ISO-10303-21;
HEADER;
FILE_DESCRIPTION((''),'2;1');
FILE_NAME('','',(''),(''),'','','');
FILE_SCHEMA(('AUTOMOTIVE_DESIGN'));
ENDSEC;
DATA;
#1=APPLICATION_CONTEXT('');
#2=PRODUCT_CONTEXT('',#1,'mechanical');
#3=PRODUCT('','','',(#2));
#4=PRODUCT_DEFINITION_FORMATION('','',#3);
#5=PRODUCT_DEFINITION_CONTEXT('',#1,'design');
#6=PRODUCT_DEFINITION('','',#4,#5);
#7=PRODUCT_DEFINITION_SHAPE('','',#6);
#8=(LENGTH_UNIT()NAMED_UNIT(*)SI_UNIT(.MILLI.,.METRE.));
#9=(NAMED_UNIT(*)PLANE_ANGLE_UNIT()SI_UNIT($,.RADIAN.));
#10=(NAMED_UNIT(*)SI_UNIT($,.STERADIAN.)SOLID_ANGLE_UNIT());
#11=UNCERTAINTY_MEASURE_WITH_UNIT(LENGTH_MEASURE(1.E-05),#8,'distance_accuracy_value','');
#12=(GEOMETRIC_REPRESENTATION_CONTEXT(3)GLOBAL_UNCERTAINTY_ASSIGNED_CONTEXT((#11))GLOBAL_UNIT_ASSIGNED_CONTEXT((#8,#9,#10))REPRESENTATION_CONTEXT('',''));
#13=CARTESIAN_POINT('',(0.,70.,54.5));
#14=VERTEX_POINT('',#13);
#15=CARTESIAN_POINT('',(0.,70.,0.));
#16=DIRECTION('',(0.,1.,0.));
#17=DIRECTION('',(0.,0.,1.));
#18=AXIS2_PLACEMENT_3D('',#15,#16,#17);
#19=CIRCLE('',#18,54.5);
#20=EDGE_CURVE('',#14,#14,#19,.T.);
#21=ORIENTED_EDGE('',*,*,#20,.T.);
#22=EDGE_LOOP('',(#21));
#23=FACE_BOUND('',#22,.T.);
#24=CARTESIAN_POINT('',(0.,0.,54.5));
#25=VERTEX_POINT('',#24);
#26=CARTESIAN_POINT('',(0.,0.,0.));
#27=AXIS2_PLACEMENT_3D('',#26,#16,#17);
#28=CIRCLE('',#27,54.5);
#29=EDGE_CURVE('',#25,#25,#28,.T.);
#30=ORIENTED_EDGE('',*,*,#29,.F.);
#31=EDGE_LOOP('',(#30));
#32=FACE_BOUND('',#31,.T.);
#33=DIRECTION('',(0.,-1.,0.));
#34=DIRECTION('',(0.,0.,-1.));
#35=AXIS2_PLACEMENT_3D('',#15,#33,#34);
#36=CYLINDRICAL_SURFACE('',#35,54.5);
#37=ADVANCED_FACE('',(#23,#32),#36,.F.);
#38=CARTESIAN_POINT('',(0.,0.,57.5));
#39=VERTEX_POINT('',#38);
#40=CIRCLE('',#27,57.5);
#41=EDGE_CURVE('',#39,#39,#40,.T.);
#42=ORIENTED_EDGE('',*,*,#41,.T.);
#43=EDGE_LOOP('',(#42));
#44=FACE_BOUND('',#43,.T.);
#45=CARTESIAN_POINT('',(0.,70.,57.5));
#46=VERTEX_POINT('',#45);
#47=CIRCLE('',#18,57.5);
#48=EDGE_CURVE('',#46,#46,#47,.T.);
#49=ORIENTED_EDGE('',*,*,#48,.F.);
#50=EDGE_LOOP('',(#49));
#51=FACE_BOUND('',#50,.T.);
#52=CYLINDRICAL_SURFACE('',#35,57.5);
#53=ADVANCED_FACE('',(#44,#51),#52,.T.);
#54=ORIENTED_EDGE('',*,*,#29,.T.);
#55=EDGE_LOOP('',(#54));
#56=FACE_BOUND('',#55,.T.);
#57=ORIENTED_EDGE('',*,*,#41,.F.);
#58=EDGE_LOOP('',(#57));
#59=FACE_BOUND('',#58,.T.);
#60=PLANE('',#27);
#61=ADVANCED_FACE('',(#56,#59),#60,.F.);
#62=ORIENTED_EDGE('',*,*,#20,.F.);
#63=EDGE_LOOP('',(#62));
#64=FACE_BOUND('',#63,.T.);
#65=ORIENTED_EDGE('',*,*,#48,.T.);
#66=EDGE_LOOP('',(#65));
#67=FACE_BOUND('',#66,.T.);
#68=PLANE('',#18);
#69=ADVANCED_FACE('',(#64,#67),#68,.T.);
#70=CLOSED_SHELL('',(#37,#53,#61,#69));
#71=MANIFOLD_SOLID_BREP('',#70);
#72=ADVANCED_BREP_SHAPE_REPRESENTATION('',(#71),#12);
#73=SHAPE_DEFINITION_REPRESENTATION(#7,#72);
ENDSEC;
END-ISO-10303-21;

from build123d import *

# Parameters (mm, degrees)
SKETCH1_R           = 57.5
SKETCH1_R_2         = 54.5
BOSS_EXTRUDE1_DEPTH = 70


with BuildPart() as part:
    # Sketch1 → Boss-Extrude1 (new body)
    with BuildSketch(Plane(origin=(0, 0, 0), x_dir=(1, 0, 0), z_dir=(0, 1, 0))):
        with Locations(Location((0, 0, 0), (0, 0, 270))):
            Circle(SKETCH1_R)
        with Locations(Location((0, 0, 0), (0, 0, 270))):
            Circle(SKETCH1_R_2, mode=Mode.SUBTRACT)
    extrude(amount=BOSS_EXTRUDE1_DEPTH)


solid = part.part
